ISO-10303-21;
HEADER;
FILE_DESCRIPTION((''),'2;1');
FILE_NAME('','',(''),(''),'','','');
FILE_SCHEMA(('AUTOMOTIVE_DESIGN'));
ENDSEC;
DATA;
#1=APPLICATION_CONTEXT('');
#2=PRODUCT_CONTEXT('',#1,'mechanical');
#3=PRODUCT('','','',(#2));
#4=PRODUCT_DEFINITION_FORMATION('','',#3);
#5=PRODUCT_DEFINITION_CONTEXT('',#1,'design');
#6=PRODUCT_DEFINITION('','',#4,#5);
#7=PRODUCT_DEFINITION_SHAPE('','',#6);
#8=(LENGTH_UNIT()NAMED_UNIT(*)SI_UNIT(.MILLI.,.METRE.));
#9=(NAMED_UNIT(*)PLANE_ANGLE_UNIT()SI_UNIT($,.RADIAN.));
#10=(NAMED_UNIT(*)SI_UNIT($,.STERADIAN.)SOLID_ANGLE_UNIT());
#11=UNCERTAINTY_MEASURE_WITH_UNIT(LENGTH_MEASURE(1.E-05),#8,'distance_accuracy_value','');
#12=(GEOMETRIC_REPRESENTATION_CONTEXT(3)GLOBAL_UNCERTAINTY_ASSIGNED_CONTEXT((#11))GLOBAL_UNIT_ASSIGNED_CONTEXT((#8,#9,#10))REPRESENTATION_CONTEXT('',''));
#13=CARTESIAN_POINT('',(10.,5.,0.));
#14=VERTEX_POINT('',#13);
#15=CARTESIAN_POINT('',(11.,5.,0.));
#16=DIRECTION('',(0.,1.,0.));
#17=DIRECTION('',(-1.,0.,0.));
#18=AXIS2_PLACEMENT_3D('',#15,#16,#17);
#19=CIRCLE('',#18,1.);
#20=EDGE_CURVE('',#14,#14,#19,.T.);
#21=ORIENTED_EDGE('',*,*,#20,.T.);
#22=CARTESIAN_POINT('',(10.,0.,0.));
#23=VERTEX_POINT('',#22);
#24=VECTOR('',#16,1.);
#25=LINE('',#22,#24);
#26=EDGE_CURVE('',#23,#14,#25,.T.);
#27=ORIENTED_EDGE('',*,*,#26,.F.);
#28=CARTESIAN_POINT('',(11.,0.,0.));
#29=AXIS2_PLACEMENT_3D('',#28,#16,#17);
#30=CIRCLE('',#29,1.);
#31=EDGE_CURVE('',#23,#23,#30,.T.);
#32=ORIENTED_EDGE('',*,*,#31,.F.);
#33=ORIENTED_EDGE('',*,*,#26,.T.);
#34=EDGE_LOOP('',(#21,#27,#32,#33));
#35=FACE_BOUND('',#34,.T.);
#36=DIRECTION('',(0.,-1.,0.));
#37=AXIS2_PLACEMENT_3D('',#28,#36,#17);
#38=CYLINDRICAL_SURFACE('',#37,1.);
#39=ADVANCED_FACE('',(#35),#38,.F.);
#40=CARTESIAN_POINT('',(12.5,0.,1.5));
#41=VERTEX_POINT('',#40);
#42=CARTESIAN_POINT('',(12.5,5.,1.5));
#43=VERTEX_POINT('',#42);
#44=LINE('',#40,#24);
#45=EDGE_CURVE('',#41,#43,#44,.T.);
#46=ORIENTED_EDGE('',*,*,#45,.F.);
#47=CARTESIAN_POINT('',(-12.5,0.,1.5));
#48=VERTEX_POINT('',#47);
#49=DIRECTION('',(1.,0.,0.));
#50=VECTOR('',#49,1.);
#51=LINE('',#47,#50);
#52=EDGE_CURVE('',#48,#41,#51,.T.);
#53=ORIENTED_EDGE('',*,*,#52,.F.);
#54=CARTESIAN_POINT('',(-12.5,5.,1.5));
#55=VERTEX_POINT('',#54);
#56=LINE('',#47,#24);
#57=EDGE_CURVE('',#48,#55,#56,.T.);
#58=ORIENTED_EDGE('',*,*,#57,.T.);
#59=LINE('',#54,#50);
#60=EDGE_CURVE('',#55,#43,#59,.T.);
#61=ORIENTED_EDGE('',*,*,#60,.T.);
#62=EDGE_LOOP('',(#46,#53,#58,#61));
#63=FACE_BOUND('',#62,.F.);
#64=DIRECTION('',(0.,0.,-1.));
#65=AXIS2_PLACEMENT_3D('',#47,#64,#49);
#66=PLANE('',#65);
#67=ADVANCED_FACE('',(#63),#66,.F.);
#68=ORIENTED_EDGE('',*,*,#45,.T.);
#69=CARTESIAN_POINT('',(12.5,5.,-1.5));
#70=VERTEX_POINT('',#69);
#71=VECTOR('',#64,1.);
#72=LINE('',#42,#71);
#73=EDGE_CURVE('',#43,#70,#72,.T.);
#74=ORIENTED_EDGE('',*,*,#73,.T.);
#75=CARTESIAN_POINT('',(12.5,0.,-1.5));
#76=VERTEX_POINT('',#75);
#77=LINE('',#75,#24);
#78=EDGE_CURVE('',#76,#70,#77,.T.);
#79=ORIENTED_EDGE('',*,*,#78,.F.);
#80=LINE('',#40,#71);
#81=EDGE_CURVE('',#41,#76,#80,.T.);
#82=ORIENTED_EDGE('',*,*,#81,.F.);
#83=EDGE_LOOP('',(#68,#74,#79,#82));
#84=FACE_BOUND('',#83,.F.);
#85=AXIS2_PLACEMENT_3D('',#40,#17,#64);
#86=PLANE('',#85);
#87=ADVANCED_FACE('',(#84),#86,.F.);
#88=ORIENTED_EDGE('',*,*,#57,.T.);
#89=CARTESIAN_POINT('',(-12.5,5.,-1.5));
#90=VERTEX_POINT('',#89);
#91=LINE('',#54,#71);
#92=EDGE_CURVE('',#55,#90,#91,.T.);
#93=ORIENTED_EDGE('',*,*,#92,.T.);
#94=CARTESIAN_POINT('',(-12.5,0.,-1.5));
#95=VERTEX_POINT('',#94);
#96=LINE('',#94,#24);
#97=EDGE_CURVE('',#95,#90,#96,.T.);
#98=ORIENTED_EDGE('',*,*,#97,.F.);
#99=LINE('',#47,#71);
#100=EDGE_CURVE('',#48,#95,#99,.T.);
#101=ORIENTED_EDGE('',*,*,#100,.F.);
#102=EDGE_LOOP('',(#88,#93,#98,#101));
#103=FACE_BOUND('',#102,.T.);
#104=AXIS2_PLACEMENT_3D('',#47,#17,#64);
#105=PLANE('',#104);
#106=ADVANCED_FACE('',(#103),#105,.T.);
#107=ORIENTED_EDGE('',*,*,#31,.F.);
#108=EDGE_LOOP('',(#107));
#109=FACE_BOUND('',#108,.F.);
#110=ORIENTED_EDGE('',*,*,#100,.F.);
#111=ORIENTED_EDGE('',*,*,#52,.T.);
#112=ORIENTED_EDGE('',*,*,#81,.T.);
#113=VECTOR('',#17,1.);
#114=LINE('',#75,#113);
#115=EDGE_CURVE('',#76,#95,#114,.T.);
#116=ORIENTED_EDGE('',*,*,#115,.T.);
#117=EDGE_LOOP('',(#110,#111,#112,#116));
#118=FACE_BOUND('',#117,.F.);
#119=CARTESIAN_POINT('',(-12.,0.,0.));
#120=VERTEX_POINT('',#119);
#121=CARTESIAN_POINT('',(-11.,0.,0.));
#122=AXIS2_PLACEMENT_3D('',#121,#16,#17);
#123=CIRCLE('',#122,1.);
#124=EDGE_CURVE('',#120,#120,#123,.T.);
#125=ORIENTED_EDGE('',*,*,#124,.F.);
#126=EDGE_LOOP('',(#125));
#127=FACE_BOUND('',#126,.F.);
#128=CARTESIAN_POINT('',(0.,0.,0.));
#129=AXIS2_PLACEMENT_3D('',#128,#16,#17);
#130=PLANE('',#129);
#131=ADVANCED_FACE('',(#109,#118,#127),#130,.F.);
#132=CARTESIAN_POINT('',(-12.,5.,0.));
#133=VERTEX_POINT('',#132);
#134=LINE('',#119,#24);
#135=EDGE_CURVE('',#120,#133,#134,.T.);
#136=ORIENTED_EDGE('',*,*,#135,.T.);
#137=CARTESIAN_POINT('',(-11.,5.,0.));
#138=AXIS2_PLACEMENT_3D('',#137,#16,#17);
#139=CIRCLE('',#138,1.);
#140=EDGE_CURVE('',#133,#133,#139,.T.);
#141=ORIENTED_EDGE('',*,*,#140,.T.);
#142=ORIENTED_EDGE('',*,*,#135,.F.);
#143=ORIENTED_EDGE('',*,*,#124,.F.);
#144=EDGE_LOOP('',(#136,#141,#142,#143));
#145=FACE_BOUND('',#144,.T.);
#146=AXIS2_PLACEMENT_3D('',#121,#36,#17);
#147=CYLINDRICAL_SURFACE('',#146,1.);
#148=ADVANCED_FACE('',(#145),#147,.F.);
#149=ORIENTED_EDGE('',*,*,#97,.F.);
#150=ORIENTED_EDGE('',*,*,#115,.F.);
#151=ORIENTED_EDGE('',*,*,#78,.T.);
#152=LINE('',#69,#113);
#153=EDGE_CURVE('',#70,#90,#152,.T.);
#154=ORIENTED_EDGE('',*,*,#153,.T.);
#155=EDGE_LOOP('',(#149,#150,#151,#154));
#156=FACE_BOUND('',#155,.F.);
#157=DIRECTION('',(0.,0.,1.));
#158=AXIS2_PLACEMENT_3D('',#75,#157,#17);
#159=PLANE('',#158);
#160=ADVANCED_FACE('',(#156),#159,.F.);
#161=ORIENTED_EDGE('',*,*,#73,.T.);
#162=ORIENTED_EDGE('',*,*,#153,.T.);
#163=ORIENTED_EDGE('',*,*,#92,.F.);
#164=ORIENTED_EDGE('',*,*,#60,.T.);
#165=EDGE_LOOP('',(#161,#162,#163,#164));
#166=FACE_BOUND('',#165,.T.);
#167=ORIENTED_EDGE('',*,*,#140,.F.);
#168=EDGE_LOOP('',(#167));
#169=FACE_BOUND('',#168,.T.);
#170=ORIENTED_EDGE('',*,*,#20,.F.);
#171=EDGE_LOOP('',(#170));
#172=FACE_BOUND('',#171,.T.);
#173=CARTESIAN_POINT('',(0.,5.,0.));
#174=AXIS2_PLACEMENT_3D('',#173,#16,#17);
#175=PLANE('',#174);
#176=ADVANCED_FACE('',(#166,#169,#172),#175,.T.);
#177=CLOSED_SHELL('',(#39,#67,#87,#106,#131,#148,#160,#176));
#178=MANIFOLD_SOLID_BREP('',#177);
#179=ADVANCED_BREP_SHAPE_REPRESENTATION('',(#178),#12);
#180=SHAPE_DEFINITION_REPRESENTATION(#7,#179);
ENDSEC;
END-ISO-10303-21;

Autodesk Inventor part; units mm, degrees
ref_plane "YZ Plane" through (0, 0, 0) normal (1, 0, 0) x (0, 1, 0)
ref_plane "XZ Plane" through (0, 0, 0) normal (0, 1, 0) x (-1, 0, 0)
ref_plane "XY Plane" through (0, 0, 0) normal (0, 0, 1) x (1, 0, 0)
sketch "Sketch1" plane through (0, 0, 0) normal (0, 1, 0) x (-1, 0, 0)
  line L0 (-12.5, -1.5) -> (12.5, -1.5)
  line L1 (12.5, 3.5) -> (12.5, 3.5)
  line L2 (12.5, 1.5) -> (-12.5, 1.5)
  line L3 (-12.5, 3.5) -> (-12.5, 3.5)
  line L4 (-12.5, -1.5) -> (12.5, 1.5) construction
  line L5 (12.5, -1.5) -> (-12.5, 1.5) construction
  circle A0 centre (11, 0) radius 1
  line L6 (-12.5, 1.5) -> (-12.5, -1.5)
  line L7 (12.5, 1.5) -> (12.5, -1.5)
  circle A1 centre (-11, 0) radius 1
  point P0 (0, 0)
  dimension "d0" = 3
  dimension "d1" = 25
  dimension "d3" = 2
  dimension "d6" = 1.5
  dimension "d8" = 1.5
  dimension "d13" = 2
  dimension "d14" = 1.5
  dimension "d15" = 1.5
extrude "Extrusion1" add sketch "Sketch1" along normal blind 5
properties part number "link"
